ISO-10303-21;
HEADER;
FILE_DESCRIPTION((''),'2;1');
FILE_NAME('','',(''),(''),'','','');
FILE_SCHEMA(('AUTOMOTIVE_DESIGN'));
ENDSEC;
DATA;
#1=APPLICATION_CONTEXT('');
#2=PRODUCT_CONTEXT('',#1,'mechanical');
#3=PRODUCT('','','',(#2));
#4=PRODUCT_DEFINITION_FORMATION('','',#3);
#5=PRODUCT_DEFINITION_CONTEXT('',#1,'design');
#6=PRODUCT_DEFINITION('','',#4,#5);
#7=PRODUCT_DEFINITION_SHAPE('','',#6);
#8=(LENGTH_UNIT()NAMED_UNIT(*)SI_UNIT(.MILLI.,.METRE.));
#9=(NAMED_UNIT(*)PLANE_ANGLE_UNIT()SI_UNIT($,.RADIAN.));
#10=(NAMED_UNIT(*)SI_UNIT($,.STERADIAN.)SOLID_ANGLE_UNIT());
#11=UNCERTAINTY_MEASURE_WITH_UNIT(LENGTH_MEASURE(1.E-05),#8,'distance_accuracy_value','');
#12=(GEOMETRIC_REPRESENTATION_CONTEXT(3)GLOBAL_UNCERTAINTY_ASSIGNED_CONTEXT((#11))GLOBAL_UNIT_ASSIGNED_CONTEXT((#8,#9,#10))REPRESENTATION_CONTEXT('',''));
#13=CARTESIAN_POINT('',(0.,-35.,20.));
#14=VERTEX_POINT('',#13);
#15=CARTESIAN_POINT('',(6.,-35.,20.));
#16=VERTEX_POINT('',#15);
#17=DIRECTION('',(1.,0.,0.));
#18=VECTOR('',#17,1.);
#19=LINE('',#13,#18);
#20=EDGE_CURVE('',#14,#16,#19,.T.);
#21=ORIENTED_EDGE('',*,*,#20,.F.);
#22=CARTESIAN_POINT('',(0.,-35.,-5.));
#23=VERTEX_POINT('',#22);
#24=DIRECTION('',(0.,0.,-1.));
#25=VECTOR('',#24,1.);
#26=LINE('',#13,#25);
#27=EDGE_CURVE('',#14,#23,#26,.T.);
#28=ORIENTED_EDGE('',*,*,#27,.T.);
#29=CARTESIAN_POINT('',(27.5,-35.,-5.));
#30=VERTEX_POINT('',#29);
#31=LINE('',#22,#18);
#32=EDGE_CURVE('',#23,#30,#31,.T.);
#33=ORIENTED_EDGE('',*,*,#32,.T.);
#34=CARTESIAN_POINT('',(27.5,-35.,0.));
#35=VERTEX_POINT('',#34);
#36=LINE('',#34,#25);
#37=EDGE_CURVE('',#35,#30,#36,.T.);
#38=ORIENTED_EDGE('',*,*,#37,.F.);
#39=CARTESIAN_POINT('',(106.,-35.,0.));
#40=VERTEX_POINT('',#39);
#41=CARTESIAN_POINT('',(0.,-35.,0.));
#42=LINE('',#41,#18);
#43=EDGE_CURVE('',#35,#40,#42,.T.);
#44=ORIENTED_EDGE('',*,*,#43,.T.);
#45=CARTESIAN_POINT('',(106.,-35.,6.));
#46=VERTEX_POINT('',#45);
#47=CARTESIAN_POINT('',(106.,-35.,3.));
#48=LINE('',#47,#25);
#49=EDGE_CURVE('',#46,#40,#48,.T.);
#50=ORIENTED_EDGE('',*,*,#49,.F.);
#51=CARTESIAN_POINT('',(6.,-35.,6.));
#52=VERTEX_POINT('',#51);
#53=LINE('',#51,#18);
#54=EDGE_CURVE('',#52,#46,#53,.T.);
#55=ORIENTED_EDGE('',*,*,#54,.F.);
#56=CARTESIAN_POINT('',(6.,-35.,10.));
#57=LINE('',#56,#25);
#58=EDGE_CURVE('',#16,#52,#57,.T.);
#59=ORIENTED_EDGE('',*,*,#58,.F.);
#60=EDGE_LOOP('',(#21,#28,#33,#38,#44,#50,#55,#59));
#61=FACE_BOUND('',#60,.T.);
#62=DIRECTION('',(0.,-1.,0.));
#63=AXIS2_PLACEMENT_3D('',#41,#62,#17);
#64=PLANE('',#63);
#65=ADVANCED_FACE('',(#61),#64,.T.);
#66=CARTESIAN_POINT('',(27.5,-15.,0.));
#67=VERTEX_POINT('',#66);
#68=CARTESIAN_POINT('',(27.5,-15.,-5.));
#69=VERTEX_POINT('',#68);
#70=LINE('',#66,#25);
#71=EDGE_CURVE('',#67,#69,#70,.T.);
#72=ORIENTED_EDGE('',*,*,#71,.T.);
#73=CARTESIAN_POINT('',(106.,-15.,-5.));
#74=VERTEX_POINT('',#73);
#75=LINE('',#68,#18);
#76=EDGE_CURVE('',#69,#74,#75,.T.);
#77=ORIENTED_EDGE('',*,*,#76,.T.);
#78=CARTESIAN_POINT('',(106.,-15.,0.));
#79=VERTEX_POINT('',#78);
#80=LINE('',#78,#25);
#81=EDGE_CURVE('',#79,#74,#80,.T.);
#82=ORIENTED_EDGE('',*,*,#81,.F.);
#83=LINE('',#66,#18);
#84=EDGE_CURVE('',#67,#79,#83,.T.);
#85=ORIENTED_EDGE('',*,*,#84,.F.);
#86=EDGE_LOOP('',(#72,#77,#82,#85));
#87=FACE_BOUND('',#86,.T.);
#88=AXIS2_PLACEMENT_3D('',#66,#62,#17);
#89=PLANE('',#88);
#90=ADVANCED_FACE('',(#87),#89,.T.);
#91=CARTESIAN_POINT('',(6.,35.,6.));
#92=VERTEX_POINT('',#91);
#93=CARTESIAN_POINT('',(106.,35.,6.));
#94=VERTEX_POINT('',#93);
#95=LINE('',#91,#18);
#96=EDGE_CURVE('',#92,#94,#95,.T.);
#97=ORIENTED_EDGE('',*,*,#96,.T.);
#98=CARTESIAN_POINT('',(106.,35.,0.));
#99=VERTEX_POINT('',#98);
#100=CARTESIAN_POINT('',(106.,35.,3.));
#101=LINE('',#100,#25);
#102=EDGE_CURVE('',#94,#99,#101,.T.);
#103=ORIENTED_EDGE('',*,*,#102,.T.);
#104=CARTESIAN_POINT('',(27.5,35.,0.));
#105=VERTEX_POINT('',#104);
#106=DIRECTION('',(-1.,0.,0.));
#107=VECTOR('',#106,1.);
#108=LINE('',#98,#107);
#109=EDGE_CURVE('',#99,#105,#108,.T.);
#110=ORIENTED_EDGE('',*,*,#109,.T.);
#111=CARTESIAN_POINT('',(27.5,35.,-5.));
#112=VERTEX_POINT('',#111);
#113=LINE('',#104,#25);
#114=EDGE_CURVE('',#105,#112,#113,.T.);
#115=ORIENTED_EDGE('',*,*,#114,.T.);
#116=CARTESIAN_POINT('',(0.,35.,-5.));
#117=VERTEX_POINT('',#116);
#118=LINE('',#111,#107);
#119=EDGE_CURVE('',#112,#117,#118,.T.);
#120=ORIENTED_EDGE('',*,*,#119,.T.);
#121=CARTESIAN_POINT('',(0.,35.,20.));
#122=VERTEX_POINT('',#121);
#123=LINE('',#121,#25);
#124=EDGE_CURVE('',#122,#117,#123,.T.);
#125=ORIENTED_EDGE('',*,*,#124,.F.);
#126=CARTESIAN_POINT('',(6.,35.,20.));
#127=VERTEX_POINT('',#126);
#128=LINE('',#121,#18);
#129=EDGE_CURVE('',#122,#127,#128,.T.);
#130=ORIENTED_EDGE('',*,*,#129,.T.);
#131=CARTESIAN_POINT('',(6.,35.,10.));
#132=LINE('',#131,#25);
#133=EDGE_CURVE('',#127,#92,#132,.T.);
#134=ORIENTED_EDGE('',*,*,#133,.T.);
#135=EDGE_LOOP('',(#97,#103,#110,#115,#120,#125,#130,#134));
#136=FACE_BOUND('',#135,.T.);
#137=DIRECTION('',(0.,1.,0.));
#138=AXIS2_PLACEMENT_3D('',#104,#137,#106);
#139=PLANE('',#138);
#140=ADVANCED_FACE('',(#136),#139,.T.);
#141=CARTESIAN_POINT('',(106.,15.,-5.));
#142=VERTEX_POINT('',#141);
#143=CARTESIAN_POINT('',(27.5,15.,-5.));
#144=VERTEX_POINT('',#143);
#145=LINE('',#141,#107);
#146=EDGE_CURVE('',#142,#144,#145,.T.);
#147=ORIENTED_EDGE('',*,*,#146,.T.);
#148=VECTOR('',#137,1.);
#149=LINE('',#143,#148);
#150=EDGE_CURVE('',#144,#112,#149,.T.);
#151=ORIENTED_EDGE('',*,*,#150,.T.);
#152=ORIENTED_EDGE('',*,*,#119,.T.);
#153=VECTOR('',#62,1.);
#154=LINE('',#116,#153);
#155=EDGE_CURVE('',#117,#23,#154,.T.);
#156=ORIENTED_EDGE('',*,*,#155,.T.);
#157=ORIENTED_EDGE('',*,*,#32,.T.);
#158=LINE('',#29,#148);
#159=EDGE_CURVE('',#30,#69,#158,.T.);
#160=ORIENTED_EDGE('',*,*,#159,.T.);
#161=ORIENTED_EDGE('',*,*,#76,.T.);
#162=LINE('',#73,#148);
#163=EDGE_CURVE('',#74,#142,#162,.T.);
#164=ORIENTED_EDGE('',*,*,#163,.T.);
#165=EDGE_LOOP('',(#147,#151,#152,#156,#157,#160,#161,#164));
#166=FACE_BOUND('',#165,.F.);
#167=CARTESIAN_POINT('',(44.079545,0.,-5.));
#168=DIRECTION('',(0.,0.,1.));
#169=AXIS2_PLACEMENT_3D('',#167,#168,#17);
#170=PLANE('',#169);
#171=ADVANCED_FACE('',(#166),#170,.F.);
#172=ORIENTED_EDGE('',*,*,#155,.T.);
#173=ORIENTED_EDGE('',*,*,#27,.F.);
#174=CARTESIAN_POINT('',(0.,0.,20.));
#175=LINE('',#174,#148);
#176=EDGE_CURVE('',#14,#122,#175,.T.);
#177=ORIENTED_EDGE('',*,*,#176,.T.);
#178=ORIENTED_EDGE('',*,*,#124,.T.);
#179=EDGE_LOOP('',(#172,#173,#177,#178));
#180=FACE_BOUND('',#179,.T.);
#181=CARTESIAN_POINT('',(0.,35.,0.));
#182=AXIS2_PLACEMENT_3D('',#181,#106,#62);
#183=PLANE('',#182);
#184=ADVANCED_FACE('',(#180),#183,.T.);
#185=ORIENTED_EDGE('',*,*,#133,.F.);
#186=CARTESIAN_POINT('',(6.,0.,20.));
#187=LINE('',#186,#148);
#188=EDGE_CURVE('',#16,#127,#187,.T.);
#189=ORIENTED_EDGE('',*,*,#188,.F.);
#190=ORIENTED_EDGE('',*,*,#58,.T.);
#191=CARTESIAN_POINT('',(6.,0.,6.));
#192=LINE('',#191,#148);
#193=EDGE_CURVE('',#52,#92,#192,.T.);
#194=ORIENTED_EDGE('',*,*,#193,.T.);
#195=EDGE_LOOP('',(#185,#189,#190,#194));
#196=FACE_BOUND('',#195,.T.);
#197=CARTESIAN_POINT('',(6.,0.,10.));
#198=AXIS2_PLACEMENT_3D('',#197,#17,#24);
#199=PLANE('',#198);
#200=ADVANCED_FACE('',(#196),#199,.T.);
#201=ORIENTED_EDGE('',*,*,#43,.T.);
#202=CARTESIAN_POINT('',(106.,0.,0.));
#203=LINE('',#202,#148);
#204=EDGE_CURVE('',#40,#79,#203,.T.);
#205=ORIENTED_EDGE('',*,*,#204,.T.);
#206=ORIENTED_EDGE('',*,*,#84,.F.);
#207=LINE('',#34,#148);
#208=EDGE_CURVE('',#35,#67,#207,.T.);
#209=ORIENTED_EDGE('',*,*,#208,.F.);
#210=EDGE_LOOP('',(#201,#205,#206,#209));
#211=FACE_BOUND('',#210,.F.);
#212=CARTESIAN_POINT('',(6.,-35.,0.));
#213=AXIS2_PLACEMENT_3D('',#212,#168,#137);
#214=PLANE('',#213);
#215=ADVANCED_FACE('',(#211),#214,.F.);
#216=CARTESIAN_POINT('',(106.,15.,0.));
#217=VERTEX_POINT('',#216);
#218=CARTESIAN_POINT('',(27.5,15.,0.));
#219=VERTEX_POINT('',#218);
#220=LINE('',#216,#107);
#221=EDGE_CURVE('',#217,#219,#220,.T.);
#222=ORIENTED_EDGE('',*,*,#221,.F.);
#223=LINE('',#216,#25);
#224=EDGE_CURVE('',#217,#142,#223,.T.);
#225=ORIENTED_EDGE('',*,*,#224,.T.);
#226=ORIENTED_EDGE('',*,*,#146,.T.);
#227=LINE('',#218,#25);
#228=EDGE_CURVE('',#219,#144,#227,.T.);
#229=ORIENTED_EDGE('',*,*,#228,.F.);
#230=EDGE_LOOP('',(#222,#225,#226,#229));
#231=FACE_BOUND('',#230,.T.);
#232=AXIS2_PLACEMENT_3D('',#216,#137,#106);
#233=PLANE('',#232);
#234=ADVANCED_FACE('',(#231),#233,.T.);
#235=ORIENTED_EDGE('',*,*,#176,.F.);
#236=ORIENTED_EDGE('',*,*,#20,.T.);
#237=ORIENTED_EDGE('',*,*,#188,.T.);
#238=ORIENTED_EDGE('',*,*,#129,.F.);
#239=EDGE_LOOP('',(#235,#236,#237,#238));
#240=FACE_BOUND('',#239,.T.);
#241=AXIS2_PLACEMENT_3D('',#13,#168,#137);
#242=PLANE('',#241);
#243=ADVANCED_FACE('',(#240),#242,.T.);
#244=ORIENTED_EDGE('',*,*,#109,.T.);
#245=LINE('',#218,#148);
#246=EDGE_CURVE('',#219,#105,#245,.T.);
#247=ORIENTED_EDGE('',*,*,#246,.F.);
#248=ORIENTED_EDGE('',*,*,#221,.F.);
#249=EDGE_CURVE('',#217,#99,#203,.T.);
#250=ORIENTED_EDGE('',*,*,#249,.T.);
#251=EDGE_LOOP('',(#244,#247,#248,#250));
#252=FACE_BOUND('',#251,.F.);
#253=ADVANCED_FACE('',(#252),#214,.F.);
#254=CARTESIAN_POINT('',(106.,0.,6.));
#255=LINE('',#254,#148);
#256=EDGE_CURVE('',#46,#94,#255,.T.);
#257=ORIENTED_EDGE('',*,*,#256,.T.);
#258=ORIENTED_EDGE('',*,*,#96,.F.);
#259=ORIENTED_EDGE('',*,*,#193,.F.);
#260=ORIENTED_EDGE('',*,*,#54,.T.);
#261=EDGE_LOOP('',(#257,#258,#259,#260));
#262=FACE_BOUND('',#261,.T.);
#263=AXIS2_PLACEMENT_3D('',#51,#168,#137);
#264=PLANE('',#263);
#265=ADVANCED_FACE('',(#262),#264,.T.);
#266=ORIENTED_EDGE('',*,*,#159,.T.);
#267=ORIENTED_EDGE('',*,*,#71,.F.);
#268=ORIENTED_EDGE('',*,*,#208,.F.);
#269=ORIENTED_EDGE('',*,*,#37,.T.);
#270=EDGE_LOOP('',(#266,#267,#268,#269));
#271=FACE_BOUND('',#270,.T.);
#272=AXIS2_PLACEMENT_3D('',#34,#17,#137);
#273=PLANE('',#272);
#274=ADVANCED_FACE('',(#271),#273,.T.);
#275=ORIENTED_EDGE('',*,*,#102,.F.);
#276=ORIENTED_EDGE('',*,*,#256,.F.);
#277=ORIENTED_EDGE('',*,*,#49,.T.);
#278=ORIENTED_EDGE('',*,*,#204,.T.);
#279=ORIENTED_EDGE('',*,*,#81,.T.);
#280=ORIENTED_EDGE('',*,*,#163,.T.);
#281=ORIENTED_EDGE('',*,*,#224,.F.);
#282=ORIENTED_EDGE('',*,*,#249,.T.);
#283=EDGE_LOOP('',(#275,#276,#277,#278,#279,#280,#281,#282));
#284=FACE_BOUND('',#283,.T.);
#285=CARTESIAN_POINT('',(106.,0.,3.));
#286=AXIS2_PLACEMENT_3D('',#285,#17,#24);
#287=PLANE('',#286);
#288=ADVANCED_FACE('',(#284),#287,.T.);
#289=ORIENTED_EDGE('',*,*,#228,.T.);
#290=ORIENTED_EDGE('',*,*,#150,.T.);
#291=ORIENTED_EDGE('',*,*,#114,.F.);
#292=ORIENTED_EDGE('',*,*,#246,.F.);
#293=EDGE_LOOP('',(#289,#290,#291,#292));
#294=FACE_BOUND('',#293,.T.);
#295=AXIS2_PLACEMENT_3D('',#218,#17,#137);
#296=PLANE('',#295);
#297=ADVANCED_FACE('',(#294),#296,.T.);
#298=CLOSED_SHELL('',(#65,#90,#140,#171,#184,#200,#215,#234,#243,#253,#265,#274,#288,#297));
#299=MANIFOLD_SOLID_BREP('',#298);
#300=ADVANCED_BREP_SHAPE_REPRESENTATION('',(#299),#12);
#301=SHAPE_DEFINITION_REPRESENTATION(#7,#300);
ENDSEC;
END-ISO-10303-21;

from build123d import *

# Parameters (mm, degrees)
SKETCH_1_W      = 20
SKETCH_1_H      = 70
EXTRUDE_1_DEPTH = 6
SKETCH_2_W      = 6
SKETCH_2_H      = 70
EXTRUDE_2_DEPTH = 100
EXTRUDE_3_DEPTH = 5


with BuildPart() as part:
    # 草图1 → 凸台-拉伸1 (new body)
    with BuildSketch(Plane(origin=(0, 0, 0), x_dir=(0, 0, -1), z_dir=(1, 0, 0))):
        with Locations((-10, 0)):
            Rectangle(SKETCH_1_W, SKETCH_1_H)
    extrude(amount=EXTRUDE_1_DEPTH)

    # 草图2 → 凸台-拉伸2 (add)
    with BuildSketch(Plane(origin=(6, 0, 0), x_dir=(0, 0, -1), z_dir=(1, 0, 0))):
        with Locations((-3, 0)):
            Rectangle(SKETCH_2_W, SKETCH_2_H)
    extrude(amount=EXTRUDE_2_DEPTH)

    # 草图3 → 凸台-拉伸3 (add)
    with BuildSketch(Plane(origin=(0, 0, 0), x_dir=(-1, 0, 0), z_dir=(0, 0, -1))):
        Polygon((0, -35), (-27.5, -35), (-27.5, -15), (-106, -15), (-106, 15), (-27.5, 15), (-27.5, 35), (0, 35), align=None)
    extrude(amount=EXTRUDE_3_DEPTH)


solid = part.part
